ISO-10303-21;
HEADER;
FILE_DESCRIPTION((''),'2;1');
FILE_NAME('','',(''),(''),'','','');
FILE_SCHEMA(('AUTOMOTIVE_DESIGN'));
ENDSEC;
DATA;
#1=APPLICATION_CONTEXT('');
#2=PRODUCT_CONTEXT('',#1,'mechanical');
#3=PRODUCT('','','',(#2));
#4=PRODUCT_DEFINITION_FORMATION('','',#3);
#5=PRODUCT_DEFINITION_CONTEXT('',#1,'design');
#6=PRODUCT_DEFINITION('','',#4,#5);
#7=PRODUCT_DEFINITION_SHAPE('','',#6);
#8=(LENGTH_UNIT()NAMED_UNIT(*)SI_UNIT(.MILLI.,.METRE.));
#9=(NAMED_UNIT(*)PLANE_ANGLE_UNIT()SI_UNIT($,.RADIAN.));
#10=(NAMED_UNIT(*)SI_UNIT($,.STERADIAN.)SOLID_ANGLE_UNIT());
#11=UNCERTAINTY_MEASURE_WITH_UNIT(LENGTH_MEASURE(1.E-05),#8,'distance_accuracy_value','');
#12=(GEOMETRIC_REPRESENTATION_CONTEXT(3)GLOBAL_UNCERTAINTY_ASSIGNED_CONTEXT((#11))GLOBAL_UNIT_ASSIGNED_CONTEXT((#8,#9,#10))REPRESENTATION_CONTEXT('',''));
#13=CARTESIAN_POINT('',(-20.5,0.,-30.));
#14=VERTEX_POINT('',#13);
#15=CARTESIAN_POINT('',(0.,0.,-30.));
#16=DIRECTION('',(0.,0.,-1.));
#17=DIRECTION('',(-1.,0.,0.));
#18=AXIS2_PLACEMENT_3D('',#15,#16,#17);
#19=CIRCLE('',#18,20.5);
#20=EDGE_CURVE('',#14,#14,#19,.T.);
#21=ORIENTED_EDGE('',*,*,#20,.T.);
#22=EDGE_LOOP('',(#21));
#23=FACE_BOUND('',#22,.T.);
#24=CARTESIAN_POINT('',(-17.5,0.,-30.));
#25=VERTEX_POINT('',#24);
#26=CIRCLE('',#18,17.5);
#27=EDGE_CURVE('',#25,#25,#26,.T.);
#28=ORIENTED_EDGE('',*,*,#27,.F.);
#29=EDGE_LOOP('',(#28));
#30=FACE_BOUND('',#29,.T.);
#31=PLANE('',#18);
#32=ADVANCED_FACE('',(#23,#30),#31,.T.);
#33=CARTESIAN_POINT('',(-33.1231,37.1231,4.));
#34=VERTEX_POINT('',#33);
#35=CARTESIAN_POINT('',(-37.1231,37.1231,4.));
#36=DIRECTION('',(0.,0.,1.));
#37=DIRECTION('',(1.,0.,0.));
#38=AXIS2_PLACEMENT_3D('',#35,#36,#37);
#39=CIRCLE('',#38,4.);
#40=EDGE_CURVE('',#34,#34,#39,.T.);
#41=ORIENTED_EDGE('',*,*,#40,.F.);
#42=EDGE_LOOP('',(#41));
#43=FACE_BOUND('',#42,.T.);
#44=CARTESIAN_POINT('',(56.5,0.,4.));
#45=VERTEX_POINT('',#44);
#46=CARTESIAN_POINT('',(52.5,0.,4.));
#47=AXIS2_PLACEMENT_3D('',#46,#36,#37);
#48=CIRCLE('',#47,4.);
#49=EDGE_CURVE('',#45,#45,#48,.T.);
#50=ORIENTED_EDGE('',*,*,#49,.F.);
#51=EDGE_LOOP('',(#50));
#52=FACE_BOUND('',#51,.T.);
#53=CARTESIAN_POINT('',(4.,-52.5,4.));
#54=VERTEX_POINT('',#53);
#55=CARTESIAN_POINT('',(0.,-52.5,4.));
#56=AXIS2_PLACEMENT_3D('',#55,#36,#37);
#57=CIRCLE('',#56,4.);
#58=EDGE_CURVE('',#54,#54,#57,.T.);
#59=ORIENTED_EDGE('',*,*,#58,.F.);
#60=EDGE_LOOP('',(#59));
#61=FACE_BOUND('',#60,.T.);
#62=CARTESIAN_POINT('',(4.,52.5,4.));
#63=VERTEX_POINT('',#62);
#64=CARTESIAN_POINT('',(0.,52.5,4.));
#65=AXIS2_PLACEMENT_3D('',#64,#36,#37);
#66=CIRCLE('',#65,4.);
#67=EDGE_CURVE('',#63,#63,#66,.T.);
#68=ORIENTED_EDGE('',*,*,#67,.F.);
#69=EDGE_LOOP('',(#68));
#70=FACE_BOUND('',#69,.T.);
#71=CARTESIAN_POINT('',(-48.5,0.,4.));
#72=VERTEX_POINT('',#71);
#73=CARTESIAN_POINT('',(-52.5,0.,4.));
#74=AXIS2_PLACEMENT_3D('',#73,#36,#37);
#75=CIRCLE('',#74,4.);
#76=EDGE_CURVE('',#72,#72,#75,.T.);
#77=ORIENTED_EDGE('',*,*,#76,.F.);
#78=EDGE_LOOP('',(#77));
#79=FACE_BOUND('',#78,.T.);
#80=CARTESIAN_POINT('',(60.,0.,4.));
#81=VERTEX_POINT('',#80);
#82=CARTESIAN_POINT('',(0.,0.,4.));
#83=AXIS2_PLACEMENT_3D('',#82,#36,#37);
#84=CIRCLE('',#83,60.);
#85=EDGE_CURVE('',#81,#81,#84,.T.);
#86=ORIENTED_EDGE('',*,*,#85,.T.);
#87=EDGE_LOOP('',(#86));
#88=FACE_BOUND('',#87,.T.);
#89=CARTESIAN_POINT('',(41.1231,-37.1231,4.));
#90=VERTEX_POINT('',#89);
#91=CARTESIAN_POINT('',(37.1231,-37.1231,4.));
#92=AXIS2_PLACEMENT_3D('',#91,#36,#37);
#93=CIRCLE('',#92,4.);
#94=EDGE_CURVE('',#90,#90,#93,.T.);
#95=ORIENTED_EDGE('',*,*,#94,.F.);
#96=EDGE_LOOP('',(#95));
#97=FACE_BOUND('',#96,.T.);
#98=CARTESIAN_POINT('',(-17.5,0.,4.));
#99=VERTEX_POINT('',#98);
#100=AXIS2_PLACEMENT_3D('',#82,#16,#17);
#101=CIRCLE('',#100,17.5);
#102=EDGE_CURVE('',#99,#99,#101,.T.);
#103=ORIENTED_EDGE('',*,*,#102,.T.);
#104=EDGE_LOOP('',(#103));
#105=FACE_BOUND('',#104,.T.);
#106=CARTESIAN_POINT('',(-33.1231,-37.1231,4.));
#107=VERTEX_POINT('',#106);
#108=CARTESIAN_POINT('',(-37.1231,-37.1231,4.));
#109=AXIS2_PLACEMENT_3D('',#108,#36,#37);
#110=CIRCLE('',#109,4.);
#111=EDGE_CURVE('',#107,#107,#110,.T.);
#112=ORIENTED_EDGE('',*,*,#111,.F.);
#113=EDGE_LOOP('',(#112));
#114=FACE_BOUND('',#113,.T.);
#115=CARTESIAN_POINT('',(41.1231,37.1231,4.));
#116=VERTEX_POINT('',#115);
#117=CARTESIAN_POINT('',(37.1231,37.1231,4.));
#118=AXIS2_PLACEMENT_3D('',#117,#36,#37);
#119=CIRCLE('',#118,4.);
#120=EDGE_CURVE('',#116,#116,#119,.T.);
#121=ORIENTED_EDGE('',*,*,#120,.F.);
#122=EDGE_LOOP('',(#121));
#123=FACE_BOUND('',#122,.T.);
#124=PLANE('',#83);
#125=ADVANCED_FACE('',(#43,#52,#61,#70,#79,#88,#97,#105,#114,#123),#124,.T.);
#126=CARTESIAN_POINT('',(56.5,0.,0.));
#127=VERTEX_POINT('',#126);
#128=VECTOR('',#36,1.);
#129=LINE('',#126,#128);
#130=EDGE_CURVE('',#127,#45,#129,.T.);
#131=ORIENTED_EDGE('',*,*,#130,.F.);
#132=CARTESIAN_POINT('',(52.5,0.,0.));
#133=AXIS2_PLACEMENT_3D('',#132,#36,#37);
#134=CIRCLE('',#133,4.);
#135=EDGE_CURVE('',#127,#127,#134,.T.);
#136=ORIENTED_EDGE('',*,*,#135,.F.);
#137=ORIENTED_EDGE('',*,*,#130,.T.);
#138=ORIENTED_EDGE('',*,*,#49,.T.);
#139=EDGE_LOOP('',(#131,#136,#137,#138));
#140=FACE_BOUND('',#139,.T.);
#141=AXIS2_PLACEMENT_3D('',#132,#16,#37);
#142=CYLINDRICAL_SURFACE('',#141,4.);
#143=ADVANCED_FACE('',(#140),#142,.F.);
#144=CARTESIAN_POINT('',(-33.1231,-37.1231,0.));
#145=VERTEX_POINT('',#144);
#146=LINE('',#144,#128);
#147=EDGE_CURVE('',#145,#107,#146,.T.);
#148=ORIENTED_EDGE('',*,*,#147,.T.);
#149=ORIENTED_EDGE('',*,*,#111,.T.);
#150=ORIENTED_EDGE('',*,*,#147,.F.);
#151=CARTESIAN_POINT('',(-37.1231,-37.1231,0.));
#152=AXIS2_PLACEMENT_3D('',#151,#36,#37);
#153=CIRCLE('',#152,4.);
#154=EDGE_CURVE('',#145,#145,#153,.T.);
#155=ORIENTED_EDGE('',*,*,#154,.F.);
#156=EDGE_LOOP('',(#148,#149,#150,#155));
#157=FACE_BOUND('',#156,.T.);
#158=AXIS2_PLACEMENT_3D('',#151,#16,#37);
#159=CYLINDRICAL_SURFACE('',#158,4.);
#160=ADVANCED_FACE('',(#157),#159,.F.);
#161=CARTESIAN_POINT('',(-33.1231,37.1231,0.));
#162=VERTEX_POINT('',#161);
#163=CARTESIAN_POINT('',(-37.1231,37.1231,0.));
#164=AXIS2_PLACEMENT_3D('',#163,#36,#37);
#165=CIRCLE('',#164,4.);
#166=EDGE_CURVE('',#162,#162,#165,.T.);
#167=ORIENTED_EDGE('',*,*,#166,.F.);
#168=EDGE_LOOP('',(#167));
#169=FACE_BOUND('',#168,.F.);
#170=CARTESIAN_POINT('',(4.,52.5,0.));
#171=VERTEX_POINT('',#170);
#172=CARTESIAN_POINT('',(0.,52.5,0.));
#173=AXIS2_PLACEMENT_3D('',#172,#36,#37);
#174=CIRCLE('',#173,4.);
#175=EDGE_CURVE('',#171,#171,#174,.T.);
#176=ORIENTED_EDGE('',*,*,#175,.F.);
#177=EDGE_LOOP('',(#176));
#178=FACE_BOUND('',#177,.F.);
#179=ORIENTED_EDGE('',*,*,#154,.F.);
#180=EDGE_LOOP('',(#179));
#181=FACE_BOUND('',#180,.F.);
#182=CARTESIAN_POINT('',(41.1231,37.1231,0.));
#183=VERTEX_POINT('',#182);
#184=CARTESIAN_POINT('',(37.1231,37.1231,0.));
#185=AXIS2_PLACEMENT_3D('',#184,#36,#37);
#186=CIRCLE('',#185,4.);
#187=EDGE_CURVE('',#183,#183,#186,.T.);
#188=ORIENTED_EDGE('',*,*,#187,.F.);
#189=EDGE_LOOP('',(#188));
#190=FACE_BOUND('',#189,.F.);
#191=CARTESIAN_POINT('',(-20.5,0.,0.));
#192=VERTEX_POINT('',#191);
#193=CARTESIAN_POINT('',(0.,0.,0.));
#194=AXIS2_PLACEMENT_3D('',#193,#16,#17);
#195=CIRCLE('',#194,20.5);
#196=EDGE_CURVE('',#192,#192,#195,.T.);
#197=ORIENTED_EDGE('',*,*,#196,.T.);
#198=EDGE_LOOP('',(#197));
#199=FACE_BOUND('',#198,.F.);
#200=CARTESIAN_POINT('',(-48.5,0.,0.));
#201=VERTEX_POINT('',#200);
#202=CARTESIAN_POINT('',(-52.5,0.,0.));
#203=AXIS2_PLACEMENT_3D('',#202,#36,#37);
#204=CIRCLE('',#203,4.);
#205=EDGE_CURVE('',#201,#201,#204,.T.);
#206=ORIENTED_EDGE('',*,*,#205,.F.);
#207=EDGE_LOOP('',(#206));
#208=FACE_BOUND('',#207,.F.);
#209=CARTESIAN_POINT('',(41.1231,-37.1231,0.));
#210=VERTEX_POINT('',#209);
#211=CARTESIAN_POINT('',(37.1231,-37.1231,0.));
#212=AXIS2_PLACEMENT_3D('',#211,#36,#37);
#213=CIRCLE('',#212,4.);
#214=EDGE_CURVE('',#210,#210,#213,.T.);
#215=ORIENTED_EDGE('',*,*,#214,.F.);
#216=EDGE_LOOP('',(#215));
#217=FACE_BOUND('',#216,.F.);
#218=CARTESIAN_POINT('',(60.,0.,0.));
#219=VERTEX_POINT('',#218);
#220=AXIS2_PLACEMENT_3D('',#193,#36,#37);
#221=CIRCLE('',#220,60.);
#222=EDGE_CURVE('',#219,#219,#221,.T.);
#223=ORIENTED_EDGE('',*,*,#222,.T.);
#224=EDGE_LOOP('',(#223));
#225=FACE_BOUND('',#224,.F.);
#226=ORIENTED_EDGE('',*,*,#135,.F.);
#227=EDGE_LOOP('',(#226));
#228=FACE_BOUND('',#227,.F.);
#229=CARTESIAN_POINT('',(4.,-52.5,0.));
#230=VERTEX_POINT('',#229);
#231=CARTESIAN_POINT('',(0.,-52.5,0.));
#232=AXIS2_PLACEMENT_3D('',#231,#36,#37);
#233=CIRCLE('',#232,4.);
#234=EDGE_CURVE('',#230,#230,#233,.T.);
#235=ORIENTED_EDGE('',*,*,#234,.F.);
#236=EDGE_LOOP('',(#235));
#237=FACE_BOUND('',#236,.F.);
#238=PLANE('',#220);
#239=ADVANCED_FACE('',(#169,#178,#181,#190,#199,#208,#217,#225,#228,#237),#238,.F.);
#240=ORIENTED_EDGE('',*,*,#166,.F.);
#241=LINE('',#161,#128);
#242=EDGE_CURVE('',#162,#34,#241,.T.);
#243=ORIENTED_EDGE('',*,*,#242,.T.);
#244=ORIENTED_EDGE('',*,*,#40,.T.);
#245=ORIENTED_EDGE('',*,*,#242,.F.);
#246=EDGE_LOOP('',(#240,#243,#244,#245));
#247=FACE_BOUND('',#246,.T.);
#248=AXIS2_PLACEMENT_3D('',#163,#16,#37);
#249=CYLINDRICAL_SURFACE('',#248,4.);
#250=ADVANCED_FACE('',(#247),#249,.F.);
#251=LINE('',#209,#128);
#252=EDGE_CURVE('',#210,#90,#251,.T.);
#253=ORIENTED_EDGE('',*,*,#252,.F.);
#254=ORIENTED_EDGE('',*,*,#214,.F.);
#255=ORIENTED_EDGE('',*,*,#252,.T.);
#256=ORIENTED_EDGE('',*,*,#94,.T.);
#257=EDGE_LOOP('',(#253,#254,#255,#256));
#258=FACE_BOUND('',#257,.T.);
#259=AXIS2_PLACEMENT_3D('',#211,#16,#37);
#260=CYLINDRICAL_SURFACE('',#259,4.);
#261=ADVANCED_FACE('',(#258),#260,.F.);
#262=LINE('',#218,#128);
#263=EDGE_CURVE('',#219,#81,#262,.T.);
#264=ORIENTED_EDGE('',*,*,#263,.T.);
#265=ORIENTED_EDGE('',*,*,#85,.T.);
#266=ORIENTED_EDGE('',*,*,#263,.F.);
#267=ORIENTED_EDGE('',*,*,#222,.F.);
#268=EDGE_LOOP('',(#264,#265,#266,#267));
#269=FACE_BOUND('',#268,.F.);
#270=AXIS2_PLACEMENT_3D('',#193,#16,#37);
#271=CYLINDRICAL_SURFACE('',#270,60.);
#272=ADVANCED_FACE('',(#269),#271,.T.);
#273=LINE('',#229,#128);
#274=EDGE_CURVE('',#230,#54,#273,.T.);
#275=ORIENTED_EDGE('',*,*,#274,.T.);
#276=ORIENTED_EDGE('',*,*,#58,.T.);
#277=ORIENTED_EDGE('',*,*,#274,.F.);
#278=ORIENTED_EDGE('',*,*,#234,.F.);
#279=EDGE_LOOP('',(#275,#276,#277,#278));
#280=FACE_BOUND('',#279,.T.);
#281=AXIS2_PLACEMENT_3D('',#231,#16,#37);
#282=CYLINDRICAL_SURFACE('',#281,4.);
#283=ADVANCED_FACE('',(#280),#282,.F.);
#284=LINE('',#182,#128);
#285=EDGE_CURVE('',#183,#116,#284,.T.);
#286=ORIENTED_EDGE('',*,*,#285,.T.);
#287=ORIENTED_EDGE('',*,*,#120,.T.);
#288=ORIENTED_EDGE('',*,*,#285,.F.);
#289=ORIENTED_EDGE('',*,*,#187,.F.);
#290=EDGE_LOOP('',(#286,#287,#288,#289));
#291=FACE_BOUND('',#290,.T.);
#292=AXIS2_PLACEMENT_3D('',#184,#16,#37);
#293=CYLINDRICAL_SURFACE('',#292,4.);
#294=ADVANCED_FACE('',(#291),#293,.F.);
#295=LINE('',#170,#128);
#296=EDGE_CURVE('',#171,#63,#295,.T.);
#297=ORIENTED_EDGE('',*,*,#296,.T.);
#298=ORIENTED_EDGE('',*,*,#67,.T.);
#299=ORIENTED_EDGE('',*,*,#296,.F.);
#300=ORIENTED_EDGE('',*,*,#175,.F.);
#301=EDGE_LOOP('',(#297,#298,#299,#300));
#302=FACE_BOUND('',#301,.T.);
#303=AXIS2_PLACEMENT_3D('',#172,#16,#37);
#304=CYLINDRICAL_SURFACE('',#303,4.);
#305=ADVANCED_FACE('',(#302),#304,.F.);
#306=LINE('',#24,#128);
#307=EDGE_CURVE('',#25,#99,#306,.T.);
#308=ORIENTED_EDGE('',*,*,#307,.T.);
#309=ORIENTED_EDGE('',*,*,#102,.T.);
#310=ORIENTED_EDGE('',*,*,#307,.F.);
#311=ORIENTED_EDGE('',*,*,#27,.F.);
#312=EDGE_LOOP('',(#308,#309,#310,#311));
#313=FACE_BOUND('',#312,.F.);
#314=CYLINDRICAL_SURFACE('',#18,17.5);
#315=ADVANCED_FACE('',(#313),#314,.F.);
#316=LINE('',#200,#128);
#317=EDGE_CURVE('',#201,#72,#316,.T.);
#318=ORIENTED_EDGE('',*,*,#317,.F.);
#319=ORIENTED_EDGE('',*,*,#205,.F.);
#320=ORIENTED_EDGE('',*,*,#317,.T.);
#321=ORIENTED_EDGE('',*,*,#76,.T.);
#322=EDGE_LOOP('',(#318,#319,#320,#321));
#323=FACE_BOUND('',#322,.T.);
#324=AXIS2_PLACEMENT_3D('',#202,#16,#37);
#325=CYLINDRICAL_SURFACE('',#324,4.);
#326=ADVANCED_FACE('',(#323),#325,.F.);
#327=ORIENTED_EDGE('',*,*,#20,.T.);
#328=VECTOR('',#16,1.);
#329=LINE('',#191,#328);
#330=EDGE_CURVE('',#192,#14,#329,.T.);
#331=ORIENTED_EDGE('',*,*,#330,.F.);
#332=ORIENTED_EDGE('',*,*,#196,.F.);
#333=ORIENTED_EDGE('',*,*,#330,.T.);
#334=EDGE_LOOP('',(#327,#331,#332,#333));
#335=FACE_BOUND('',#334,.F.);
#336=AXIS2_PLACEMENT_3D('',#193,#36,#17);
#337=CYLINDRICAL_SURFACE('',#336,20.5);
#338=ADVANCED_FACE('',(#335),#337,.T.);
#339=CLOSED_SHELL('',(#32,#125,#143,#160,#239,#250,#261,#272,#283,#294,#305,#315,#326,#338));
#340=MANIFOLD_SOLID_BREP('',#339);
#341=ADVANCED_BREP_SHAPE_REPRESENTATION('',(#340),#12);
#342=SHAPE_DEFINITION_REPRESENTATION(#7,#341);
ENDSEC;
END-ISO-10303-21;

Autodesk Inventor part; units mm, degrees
ref_plane "YZ Plane" through (0, 0, 0) normal (1, 0, 0) x (0, 1, 0)
ref_plane "XZ Plane" through (0, 0, 0) normal (0, 1, 0) x (-1, 0, 0)
ref_plane "XY Plane" through (0, 0, 0) normal (0, 0, 1) x (1, 0, 0)
sketch "Boceto1" plane through (0, 0, 0) normal (0, 0, 1) x (1, 0, 0)
  circle A0 centre (0, 0) radius 60
  circle A1 centre (0, 0) radius 48.5 construction
  circle A2 centre (0, 0) radius 52.5 construction
  line L0 (0, -61.2439) -> (0, 59.6068) construction
  line L1 (-77.557, 0) -> (94.8903, 0) construction
  circle A3 centre (0, 52.5) radius 4
  circle A4 centre (-37.1231, 37.1231) radius 4
  circle A5 centre (-52.5, 0) radius 4
  circle A6 centre (-37.1231, -37.1231) radius 4
  circle A7 centre (0, -52.5) radius 4
  circle A8 centre (37.1231, -37.1231) radius 4
  circle A9 centre (52.5, 0) radius 4
  circle A10 centre (37.1231, 37.1231) radius 4
  dimension "d2" = 105
  dimension "d0" = 120
  dimension "d1" = 97
  dimension "d3" = 8
  dimension "d6" = 360
extrude "Extrusión1" add sketch "Boceto1" along normal blind 4
sketch "Boceto2" plane through (0, 0, 0) normal (0, 0, -1) x (-1, 0, 0)
  circle A0 centre (0, 0) radius 20.5
  dimension "d10" = 41
extrude "Extrusión2" add sketch "Boceto2" along normal blind 30
sketch "Boceto3" plane through (0, 0, -30) normal (0, 0, -1) x (-1, 0, 0)
  circle A0 centre (0, 0) radius 17.5
  dimension "d13" = 35
extrude "Extrusión3" cut sketch "Boceto3" against normal blind 35
properties part number "CESTO MEDIDOR ESPORAS"
